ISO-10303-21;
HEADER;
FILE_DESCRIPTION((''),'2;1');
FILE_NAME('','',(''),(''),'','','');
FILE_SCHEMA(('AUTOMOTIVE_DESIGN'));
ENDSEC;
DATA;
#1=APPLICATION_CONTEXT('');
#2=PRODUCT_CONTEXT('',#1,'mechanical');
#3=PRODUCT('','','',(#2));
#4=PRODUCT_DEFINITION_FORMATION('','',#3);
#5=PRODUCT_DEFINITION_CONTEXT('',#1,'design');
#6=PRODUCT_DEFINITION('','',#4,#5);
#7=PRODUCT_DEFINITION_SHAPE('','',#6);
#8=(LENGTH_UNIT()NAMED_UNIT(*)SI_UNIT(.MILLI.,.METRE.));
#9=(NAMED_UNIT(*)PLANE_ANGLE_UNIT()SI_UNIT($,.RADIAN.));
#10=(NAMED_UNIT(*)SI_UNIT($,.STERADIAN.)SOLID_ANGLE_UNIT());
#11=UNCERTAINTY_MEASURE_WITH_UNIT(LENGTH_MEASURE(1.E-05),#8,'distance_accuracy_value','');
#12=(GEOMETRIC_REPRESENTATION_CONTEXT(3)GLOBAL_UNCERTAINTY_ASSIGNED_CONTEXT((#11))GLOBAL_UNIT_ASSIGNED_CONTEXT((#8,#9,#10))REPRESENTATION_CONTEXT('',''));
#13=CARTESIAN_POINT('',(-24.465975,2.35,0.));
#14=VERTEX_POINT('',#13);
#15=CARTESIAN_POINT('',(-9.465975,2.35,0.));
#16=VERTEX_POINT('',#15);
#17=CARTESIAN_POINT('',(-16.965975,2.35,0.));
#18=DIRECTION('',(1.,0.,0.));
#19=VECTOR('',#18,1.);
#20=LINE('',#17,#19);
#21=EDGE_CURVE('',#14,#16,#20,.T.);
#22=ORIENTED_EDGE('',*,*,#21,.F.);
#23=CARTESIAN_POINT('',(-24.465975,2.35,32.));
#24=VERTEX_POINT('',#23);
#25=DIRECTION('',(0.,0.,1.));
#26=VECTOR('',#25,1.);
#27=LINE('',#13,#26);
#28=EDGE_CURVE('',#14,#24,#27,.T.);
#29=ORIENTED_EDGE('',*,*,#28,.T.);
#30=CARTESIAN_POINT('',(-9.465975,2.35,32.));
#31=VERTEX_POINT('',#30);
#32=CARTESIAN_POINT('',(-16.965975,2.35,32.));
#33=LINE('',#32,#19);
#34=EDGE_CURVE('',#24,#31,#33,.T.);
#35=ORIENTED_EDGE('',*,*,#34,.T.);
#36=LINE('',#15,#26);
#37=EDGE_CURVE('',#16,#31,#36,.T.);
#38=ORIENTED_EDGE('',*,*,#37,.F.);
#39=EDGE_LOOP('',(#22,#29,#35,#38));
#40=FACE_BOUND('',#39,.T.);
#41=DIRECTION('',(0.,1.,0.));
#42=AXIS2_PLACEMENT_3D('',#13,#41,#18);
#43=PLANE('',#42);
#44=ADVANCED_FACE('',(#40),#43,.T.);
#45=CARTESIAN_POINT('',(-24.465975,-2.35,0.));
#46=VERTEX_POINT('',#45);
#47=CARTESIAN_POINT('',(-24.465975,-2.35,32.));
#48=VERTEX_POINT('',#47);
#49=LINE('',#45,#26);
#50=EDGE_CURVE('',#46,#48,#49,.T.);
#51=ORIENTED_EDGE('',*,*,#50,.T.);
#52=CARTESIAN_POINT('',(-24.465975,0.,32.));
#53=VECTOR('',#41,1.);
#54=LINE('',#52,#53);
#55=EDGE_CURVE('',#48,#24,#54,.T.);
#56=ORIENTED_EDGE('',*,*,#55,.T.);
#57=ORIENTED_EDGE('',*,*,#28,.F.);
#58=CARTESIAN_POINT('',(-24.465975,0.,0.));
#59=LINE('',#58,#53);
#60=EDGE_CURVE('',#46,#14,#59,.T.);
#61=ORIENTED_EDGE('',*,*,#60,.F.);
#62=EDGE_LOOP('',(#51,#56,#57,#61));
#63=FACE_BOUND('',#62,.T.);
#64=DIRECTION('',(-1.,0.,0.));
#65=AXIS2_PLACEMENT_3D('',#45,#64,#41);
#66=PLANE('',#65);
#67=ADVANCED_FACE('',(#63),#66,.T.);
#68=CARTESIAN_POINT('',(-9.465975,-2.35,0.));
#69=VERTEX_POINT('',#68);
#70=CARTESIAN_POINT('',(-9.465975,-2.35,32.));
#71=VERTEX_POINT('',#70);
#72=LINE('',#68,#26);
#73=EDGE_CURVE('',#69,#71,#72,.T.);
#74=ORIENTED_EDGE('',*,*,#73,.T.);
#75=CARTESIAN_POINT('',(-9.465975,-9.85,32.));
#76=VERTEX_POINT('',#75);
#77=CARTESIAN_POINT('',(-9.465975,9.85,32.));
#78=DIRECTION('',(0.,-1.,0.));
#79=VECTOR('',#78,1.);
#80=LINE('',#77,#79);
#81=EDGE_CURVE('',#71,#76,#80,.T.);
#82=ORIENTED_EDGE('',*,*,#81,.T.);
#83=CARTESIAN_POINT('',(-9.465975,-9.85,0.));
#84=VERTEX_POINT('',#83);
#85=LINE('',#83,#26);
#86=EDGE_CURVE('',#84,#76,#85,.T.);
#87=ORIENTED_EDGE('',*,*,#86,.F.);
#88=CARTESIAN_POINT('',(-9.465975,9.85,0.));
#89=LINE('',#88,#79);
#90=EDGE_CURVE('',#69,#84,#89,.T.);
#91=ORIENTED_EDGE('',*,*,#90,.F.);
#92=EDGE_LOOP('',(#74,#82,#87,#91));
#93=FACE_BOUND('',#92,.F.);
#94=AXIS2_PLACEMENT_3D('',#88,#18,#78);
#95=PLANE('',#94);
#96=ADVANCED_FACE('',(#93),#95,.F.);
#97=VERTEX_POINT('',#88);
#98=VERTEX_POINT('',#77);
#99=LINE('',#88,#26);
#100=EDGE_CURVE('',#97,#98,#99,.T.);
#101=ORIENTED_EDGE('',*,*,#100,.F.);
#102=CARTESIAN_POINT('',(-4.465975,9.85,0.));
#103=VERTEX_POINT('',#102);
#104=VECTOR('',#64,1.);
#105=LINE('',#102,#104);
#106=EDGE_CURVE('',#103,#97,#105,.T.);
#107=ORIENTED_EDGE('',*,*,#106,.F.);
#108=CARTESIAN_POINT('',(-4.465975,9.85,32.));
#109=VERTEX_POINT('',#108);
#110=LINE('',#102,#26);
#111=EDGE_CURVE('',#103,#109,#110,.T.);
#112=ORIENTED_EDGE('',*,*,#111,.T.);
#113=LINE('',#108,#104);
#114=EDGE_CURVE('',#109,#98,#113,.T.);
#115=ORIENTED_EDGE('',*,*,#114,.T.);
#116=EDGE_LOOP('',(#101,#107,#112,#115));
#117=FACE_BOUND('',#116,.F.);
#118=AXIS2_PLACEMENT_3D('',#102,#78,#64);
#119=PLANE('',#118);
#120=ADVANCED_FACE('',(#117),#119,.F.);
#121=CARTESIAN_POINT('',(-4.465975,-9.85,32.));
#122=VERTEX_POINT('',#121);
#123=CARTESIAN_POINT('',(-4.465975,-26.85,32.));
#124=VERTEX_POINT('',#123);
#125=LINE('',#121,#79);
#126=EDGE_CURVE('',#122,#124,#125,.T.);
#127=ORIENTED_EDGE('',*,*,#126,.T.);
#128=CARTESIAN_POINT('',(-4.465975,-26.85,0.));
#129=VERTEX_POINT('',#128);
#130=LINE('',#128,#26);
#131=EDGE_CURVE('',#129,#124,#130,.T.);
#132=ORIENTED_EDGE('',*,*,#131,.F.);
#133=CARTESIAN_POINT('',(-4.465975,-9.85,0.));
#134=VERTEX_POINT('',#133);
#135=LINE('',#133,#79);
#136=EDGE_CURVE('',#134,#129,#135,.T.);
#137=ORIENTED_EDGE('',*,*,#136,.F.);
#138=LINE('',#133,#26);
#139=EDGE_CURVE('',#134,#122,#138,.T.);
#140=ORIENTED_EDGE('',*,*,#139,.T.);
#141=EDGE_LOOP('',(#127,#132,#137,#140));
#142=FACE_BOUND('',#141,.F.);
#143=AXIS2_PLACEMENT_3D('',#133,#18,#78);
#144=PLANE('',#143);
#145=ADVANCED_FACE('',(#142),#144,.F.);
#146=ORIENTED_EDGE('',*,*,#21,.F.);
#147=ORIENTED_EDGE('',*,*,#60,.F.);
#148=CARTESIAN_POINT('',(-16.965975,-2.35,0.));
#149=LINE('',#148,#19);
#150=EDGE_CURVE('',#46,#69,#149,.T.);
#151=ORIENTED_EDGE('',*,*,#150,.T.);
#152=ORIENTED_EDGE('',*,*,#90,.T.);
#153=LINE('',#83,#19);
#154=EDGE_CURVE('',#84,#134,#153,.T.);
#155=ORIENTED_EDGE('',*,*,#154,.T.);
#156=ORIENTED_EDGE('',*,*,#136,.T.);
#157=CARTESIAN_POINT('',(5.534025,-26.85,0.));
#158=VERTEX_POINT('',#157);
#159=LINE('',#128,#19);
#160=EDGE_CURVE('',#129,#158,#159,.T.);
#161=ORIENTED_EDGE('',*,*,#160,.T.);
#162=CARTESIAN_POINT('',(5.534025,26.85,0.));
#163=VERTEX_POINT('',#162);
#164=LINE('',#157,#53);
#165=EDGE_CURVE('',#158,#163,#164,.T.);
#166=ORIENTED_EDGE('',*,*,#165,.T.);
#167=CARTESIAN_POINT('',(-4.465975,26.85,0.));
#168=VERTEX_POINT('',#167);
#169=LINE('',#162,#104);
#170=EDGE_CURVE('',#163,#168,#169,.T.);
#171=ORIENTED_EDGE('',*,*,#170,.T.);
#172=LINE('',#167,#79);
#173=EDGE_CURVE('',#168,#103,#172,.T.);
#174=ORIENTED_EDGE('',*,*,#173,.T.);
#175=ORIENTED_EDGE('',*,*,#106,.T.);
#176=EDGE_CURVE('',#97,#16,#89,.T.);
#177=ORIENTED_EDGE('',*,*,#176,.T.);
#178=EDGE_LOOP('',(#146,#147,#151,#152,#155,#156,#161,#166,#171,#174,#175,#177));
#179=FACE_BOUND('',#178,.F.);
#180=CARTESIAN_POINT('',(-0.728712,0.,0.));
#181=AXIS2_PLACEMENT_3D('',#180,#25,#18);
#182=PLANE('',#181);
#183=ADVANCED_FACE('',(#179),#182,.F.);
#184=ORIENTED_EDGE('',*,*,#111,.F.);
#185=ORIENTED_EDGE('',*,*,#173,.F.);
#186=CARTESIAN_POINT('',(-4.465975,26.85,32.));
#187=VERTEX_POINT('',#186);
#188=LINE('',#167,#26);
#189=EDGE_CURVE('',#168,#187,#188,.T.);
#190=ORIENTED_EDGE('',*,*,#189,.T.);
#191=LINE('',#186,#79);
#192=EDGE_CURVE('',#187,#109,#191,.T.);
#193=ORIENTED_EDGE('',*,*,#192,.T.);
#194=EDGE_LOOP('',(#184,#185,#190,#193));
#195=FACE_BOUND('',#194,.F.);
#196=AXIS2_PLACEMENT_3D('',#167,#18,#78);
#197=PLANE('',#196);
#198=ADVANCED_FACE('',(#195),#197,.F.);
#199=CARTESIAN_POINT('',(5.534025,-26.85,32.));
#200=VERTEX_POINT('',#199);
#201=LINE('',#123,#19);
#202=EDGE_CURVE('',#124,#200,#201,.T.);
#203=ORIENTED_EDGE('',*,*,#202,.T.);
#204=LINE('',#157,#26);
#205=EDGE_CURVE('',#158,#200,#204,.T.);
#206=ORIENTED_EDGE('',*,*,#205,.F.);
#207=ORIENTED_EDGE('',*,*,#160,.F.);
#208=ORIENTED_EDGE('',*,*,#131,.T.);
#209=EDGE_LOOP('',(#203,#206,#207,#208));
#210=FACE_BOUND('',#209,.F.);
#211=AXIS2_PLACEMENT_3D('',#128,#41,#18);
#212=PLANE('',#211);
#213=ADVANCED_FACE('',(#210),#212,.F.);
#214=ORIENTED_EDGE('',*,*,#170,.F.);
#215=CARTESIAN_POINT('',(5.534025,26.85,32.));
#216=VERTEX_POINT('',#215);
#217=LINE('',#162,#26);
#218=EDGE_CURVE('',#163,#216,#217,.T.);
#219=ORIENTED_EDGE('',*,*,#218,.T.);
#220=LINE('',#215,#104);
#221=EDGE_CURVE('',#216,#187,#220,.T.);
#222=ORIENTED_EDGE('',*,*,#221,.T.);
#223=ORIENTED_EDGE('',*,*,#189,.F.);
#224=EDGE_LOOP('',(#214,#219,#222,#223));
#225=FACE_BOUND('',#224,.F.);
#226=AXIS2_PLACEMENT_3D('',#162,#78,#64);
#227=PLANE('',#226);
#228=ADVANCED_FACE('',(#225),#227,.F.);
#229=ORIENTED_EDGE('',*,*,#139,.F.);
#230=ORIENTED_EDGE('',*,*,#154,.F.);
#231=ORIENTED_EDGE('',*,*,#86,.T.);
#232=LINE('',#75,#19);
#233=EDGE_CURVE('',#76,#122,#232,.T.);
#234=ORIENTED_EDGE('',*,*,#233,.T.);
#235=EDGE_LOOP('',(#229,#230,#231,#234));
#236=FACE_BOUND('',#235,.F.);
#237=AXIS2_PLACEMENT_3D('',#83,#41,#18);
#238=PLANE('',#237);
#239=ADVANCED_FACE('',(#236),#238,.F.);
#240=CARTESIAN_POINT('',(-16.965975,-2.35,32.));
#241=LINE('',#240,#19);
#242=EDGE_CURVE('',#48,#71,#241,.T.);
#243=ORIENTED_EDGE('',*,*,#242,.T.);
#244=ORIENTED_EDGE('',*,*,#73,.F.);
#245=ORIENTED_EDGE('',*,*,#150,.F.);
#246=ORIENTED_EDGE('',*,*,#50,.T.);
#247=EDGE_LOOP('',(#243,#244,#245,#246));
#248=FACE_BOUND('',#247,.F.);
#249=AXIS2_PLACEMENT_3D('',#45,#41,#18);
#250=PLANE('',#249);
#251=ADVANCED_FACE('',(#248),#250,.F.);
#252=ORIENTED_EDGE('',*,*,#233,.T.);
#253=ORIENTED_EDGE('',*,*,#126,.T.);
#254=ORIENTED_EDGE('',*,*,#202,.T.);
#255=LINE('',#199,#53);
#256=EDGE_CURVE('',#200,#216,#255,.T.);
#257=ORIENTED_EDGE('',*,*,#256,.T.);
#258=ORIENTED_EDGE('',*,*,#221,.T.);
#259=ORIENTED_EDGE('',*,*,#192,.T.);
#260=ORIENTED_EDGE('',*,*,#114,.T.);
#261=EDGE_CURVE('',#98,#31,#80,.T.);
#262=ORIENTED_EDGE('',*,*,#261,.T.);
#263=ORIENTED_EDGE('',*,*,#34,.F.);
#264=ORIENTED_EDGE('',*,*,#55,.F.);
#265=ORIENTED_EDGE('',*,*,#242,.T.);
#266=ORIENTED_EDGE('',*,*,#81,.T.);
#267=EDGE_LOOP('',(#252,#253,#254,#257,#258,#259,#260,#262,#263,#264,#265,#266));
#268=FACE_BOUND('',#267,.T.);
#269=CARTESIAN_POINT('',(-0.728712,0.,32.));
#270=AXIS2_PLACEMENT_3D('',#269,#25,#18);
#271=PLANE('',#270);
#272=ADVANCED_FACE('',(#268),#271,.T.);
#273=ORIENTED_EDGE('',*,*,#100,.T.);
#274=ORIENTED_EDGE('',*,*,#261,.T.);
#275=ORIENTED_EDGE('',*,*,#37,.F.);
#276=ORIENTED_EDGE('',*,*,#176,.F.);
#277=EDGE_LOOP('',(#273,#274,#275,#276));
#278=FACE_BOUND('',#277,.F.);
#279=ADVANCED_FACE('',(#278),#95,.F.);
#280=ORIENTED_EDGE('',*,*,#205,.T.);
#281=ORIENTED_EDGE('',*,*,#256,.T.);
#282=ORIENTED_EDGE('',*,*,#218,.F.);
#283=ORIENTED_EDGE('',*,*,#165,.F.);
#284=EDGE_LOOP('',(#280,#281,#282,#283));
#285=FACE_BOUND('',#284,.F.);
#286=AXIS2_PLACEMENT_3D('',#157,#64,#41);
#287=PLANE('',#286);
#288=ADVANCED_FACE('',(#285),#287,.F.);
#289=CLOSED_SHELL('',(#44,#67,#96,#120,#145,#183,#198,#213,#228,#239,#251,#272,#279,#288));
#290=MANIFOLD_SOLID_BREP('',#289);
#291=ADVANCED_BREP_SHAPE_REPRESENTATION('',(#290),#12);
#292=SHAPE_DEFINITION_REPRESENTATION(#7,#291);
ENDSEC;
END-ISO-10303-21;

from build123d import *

# Parameters (mm, degrees)
PAD003_DEPTH = 32
SKETCH_W     = 15
SKETCH_H     = 4.7
PAD_DEPTH    = 32


with BuildPart() as part:
    # Sketch005 → Pad003 (new body)
    with BuildSketch(Plane.XY):
        Polygon((-9.465975, 9.85), (-9.465975, -9.85), (-4.465975, -9.85), (-4.465975, -26.85), (5.534025, -26.85), (5.534025, 26.85), (-4.465975, 26.85), (-4.465975, 9.85), align=None)
    extrude(amount=PAD003_DEPTH)

    # Sketch → Pad (join)
    with BuildSketch(Plane.XY):
        with Locations((-16.965975, 0)):
            Rectangle(SKETCH_W, SKETCH_H)
    extrude(amount=PAD_DEPTH)


solid = part.part
